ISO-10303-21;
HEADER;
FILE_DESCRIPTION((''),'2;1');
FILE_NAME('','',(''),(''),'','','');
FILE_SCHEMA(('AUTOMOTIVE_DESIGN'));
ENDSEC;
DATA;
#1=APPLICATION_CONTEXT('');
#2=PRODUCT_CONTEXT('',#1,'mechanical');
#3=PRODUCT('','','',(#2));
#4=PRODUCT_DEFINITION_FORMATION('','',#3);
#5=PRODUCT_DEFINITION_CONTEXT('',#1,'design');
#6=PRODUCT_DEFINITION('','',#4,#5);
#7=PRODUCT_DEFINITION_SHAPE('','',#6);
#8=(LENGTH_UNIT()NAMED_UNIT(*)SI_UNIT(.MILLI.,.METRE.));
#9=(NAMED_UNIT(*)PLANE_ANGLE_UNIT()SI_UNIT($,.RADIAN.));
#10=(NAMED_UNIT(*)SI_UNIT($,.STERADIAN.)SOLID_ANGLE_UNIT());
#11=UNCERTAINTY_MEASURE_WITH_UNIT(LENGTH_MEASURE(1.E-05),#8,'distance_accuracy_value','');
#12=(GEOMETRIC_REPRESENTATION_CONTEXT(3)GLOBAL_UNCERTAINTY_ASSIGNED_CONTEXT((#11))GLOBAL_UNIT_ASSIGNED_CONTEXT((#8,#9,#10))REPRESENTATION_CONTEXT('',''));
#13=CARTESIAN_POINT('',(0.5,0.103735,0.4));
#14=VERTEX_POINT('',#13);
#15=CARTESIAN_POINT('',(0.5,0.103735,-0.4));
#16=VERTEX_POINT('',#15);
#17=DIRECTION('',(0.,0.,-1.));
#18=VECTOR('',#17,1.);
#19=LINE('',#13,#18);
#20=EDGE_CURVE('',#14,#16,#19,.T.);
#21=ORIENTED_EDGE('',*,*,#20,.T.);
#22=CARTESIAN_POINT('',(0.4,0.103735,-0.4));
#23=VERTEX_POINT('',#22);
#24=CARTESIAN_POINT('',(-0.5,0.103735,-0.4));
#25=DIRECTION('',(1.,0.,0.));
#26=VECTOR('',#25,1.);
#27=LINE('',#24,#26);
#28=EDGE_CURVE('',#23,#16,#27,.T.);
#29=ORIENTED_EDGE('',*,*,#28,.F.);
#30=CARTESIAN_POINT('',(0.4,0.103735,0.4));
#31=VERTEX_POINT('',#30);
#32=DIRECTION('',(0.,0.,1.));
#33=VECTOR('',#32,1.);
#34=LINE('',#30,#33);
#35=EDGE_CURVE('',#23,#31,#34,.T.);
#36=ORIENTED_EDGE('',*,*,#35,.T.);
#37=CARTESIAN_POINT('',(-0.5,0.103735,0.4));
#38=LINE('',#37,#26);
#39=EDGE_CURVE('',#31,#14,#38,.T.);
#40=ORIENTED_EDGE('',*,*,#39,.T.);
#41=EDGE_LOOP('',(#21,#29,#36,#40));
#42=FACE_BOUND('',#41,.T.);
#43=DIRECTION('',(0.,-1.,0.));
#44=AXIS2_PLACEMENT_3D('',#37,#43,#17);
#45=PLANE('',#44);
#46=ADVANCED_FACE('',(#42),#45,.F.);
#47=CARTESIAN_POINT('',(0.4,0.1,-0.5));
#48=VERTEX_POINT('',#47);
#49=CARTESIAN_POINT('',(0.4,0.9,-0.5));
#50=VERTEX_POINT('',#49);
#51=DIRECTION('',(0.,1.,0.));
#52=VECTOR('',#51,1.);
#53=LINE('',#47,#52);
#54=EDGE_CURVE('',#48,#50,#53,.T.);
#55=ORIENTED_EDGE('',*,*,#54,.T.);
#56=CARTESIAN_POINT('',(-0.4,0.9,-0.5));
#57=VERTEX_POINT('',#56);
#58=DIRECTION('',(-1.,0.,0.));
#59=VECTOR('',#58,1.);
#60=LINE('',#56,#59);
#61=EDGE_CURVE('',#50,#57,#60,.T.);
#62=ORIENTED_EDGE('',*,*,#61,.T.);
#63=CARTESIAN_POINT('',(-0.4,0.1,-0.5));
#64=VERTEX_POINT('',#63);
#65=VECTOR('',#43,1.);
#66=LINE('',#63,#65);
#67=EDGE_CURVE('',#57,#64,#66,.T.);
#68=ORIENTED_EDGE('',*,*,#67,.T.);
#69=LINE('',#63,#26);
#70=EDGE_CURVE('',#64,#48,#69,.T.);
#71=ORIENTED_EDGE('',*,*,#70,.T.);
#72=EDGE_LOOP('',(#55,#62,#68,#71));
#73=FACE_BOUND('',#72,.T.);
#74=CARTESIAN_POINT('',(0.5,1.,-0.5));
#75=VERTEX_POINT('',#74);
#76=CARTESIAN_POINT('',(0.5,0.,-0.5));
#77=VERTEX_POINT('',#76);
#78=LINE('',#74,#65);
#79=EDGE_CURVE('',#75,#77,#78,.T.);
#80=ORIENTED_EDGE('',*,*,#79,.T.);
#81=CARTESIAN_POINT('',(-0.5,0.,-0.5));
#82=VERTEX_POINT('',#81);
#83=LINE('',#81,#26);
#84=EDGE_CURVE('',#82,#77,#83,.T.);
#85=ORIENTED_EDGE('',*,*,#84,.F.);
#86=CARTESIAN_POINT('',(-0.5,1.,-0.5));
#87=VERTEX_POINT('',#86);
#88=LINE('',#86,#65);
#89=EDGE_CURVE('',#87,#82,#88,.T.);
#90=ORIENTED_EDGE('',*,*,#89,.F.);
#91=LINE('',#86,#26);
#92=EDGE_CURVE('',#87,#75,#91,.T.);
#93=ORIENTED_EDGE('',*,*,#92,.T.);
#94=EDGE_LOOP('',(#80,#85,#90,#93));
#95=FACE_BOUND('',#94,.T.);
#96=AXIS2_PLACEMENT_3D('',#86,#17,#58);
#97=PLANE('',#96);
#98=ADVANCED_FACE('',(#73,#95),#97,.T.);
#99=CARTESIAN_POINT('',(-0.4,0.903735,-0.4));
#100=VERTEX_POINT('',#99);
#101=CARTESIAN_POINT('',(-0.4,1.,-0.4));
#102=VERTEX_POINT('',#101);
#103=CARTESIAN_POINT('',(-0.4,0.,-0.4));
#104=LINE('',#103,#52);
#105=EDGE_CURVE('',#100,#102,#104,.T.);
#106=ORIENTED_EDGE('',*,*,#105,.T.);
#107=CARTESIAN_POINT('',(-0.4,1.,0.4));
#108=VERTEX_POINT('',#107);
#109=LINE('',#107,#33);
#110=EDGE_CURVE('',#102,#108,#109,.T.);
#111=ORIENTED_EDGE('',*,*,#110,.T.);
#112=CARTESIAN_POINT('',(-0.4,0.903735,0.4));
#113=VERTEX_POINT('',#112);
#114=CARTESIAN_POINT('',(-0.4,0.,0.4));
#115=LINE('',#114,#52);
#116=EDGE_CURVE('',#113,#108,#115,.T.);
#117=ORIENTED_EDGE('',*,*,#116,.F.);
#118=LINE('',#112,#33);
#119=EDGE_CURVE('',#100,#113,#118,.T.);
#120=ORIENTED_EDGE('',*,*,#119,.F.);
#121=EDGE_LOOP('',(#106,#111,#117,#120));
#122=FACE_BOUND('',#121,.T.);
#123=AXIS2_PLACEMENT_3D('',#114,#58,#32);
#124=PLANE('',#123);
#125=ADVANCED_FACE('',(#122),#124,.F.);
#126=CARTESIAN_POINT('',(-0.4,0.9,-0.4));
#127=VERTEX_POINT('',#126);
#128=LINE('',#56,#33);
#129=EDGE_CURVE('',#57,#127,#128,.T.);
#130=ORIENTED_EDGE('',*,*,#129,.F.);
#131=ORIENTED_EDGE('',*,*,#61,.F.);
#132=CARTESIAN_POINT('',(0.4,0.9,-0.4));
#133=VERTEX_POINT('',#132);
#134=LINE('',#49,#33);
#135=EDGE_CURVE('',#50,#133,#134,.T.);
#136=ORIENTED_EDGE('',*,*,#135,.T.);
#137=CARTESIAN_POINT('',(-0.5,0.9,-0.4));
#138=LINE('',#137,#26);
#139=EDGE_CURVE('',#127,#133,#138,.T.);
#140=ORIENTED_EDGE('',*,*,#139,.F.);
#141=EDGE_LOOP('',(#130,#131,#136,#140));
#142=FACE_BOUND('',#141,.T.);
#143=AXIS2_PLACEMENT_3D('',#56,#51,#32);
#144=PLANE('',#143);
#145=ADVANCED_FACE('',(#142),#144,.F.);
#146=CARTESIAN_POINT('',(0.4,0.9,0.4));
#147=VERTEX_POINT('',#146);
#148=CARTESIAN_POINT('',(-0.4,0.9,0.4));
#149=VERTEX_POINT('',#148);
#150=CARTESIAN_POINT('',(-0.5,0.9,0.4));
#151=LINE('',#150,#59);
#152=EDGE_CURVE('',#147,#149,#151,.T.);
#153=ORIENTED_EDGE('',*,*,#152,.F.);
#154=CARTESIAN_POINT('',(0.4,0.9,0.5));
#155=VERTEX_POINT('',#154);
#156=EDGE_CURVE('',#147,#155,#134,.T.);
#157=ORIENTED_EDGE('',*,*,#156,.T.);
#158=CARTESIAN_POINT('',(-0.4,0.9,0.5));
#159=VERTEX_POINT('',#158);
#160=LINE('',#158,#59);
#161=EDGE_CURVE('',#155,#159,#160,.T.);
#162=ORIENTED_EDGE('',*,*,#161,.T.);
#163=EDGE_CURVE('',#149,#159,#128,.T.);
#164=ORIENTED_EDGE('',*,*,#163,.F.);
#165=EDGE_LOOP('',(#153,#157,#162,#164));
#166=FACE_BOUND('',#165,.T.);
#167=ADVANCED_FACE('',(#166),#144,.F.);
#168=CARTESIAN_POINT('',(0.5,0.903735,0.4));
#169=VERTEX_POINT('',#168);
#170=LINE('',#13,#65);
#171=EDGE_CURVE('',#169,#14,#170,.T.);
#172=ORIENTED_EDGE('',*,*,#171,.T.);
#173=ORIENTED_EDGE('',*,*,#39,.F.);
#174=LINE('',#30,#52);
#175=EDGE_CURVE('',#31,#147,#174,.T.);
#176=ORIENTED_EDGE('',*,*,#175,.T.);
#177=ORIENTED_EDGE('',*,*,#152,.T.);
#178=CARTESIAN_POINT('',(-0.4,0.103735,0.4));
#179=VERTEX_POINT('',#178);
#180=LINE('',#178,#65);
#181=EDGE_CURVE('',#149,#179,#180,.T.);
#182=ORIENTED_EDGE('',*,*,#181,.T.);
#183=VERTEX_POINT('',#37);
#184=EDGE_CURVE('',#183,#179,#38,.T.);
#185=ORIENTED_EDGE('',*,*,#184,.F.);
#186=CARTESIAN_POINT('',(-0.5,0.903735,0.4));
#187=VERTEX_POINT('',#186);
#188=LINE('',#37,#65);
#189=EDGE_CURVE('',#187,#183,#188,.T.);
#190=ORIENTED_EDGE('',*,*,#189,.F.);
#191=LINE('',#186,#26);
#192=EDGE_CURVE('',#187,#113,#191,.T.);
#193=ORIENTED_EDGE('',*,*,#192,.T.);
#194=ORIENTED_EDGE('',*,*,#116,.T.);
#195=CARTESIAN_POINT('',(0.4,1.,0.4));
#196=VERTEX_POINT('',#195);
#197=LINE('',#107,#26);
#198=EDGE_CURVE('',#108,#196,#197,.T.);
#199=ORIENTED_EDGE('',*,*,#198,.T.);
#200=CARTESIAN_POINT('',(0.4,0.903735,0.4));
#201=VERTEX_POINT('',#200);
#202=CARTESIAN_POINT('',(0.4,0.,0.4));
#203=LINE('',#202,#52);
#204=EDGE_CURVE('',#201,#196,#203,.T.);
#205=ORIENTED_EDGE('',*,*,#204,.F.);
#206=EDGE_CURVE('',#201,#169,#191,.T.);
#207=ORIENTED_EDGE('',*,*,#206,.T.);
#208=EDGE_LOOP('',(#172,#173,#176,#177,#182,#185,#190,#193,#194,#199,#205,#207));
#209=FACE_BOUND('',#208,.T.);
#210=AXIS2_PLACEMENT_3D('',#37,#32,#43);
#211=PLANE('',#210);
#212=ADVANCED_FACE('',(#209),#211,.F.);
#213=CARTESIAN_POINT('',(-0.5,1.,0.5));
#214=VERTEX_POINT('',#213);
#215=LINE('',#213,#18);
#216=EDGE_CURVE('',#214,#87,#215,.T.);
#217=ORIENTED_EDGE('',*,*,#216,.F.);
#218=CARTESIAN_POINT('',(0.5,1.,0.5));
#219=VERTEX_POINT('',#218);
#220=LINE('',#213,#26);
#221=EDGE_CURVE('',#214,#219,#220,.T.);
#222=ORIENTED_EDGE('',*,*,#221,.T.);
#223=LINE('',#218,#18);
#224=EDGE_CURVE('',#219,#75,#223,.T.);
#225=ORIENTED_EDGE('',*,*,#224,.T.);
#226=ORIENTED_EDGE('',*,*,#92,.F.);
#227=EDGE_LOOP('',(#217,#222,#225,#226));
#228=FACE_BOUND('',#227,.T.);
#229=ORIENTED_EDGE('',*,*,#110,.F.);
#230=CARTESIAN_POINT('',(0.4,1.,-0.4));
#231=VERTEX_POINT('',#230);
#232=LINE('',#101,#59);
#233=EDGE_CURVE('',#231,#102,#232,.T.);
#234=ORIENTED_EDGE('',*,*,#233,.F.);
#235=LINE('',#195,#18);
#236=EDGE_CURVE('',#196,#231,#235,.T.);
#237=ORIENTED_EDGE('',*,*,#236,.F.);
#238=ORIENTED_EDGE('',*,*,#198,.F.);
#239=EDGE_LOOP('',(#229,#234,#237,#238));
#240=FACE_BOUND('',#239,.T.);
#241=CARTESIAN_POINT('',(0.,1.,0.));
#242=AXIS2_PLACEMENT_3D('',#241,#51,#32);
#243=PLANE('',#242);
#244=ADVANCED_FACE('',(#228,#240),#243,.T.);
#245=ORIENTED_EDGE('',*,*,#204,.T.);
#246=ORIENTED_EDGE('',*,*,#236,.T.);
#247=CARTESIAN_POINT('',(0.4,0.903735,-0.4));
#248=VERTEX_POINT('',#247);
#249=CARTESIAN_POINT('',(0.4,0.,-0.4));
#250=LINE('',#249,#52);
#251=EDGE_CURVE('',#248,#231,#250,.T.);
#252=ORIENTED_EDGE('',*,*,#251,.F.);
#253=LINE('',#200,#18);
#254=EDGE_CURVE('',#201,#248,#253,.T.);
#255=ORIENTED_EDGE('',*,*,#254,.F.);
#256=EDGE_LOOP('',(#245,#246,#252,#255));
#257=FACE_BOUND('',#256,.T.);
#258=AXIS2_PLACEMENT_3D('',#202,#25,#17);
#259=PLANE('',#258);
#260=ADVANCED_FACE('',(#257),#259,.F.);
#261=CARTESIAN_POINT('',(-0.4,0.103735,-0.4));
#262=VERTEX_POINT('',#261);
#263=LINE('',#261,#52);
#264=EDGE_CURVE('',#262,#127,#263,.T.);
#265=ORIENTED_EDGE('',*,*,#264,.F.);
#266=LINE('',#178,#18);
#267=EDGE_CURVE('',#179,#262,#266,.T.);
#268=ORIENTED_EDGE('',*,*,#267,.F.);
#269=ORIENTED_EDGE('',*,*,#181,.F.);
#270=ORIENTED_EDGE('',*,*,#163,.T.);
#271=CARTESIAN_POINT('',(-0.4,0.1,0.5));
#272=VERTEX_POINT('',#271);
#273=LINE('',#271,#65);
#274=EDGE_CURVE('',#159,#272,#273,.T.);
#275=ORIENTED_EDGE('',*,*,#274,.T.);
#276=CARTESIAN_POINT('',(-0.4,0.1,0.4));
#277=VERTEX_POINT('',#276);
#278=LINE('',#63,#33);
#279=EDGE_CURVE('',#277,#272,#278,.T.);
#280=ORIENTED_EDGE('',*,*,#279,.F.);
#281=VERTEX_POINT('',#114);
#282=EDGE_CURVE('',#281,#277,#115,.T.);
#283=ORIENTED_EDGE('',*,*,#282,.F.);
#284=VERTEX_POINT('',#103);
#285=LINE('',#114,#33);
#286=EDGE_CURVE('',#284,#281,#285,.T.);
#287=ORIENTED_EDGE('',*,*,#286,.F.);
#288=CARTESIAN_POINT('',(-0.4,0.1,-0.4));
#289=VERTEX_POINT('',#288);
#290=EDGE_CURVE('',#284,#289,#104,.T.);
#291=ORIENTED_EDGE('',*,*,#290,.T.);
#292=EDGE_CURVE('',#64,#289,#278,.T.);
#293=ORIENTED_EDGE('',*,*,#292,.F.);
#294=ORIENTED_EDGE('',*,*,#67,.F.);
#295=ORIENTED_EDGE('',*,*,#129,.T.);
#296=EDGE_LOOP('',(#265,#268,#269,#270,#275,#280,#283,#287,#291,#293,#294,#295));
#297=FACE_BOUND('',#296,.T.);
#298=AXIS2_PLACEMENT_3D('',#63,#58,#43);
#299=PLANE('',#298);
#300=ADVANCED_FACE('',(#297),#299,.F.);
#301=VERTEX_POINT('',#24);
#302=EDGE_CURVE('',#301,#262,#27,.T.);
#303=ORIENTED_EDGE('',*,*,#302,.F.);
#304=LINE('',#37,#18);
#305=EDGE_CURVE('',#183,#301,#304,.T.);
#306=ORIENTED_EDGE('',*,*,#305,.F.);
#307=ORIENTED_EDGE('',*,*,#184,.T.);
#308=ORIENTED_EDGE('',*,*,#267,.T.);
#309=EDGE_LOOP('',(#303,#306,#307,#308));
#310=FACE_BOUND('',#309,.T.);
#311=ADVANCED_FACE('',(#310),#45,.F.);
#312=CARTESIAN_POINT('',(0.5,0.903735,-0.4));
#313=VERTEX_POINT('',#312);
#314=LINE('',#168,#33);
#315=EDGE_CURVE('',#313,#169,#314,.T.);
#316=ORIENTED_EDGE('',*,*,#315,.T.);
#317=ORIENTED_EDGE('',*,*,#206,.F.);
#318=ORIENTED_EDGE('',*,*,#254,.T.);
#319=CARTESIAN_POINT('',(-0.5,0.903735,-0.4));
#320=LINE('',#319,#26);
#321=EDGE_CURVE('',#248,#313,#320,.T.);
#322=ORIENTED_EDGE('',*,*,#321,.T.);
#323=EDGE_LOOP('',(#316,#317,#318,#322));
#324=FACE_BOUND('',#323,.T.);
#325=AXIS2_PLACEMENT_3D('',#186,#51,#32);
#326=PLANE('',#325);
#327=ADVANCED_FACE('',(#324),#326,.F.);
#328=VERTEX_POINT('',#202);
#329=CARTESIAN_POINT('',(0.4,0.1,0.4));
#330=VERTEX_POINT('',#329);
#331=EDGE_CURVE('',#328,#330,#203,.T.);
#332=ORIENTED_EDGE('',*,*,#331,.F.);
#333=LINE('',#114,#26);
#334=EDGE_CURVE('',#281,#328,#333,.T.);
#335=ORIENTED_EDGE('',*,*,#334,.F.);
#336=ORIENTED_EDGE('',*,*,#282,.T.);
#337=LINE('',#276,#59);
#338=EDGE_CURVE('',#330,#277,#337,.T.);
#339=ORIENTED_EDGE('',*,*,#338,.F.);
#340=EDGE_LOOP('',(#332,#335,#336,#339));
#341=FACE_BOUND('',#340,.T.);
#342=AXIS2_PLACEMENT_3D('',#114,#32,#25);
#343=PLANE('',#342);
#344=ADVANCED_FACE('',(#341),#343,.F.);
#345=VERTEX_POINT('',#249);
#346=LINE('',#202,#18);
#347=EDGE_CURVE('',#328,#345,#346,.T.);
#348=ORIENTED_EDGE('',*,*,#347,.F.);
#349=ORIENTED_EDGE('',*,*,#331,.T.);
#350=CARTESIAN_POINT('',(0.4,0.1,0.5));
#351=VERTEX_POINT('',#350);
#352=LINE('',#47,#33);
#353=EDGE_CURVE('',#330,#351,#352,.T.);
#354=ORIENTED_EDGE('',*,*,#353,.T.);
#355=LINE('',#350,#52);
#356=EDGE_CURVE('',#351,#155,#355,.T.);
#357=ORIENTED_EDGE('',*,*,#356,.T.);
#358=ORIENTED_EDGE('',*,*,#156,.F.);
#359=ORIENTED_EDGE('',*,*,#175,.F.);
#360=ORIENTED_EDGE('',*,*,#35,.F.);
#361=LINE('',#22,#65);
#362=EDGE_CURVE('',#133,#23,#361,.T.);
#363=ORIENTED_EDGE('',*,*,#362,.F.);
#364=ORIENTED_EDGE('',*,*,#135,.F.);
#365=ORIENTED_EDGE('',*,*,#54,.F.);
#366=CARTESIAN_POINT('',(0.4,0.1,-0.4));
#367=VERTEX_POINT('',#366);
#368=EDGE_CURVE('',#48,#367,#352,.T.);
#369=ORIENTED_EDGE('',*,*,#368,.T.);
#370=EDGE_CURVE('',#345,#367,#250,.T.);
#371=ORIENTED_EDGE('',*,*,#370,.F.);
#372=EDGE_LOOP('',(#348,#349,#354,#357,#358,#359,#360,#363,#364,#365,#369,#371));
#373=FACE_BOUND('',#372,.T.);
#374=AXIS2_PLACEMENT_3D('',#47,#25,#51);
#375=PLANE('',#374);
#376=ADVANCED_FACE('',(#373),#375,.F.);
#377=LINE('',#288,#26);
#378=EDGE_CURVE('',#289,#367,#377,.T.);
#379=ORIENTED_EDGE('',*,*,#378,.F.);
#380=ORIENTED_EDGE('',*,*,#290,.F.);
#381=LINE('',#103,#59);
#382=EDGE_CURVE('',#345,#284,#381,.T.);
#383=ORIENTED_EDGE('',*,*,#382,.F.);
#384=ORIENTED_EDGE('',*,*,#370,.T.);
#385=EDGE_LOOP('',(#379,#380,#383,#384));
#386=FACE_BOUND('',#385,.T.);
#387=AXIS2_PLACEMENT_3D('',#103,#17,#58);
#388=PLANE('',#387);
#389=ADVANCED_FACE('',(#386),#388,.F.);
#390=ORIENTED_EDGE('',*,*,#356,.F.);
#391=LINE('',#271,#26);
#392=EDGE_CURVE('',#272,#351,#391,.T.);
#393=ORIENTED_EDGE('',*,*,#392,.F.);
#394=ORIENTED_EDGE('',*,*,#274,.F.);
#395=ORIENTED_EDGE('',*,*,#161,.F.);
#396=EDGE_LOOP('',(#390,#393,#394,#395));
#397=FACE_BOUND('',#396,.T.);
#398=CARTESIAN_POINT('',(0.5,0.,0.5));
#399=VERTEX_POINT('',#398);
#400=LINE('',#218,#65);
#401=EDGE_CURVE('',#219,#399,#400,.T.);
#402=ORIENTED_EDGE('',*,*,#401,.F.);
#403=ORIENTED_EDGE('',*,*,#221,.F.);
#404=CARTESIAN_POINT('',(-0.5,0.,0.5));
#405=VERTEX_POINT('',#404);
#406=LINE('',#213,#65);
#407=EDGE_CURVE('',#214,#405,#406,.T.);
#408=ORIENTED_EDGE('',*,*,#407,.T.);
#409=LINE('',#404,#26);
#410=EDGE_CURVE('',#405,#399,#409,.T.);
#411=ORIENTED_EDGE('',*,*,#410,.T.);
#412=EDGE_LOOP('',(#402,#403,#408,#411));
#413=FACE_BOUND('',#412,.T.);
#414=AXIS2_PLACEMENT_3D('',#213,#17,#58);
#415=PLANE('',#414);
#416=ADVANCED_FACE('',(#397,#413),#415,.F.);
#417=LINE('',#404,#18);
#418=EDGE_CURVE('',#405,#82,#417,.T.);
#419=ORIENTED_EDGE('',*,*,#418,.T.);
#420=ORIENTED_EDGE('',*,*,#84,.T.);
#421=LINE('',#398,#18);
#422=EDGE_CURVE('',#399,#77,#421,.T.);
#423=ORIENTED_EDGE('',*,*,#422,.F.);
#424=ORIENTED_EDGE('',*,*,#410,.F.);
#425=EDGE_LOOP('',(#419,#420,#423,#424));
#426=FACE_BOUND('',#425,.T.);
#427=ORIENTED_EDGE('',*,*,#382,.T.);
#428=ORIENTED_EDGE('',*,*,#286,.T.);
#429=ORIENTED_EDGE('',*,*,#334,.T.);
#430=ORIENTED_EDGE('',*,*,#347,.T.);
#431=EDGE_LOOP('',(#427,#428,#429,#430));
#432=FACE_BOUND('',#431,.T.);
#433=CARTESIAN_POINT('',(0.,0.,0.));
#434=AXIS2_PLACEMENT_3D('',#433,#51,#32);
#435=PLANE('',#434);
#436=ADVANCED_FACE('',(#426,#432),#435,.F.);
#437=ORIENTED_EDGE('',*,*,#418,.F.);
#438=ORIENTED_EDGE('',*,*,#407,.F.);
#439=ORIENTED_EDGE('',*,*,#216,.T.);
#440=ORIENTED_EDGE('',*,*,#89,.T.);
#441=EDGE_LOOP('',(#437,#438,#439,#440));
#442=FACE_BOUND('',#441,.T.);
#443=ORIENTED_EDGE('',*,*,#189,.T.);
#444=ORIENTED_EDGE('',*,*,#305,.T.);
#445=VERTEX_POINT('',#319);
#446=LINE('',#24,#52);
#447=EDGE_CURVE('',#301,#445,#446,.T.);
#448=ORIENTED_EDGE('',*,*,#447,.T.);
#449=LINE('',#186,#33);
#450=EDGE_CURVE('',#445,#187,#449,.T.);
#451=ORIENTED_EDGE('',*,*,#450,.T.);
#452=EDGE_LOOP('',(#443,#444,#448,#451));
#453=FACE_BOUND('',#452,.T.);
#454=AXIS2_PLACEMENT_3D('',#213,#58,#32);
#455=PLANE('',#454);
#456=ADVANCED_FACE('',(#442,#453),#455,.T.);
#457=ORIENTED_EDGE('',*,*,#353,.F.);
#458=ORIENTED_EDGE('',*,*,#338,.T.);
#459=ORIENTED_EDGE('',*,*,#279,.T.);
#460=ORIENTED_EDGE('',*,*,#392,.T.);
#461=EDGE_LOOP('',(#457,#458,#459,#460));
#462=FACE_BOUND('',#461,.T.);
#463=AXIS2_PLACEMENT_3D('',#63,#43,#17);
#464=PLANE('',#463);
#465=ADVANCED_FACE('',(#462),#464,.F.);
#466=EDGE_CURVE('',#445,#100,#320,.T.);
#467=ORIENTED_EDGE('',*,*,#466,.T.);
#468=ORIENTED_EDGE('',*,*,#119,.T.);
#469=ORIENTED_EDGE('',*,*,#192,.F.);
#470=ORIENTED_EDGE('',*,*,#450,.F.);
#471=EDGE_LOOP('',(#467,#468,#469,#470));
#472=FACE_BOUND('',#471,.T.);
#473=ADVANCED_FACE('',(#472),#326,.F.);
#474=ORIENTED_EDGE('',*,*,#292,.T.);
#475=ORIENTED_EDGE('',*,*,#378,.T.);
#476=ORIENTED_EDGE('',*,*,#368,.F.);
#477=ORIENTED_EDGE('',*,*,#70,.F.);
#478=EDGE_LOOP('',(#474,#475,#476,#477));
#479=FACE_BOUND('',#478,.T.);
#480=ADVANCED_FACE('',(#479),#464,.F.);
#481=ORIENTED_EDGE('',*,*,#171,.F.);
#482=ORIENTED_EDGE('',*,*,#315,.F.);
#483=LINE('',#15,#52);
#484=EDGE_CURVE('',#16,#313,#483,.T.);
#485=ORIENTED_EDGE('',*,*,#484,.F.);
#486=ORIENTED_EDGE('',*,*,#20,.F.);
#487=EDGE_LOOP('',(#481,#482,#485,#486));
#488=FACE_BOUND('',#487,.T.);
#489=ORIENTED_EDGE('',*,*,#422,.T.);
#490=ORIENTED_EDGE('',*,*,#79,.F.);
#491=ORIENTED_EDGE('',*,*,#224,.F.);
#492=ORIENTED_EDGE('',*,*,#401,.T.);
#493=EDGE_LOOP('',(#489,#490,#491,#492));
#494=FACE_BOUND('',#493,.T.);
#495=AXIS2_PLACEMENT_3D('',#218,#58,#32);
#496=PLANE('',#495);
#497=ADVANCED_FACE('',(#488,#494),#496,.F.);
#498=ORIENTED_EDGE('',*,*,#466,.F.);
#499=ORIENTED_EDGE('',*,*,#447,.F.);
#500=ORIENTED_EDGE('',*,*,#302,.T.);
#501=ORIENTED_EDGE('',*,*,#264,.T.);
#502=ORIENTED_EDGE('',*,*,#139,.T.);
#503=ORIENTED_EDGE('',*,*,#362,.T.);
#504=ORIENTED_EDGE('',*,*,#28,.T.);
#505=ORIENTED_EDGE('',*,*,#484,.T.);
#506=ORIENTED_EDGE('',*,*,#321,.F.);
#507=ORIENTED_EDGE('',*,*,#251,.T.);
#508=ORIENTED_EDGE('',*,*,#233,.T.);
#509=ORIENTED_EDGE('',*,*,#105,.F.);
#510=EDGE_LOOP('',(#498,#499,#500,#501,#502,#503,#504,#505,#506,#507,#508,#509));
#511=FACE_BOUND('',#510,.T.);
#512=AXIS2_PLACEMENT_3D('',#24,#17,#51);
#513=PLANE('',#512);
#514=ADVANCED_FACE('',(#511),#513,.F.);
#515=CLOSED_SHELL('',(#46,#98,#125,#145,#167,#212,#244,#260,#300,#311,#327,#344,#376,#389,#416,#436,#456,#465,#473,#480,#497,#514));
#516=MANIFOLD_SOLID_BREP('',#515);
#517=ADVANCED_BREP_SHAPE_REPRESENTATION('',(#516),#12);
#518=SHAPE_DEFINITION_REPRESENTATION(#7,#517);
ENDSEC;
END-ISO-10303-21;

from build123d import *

# Parameters (mm, degrees)
SKETCH1_W           = 1
SKETCH1_H           = 1
BOSS_EXTRUDE1_DEPTH = 1
SKETCH2_W           = 0.8
SKETCH2_H           = 0.8
CUT_EXTRUDE2_DEPTH  = 2.5
SKETCH3_W           = 0.8
SKETCH3_H           = 0.8
CUT_EXTRUDE3_DEPTH  = 2.5
SKETCH4_W           = 0.8
SKETCH4_H           = 0.8
CUT_EXTRUDE4_DEPTH  = 2.224744871


with BuildPart() as part:
    # Sketch1 → Boss-Extrude1 (new body)
    with BuildSketch(Plane(origin=(0, 0, 0), x_dir=(1, 0, 0), z_dir=(0, 1, 0))):
        Rectangle(SKETCH1_W, SKETCH1_H)
    extrude(amount=BOSS_EXTRUDE1_DEPTH)

    # Sketch2 → Cut-Extrude2 (cut, through all)
    with BuildSketch(Plane(origin=(0.5, 0, 0), x_dir=(0, 0, -1), z_dir=(1, 0, 0))):
        with Locations((0, 0.503735105)):
            Rectangle(SKETCH2_W, SKETCH2_H)
    extrude(amount=-CUT_EXTRUDE2_DEPTH, mode=Mode.SUBTRACT)

    # Sketch3 → Cut-Extrude3 (cut, through all)
    with BuildSketch(Plane.XY.offset(0.5)):
        with Locations((0, 0.5)):
            Rectangle(SKETCH3_W, SKETCH3_H)
    extrude(amount=-CUT_EXTRUDE3_DEPTH, mode=Mode.SUBTRACT)

    # Sketch4 → Cut-Extrude4 (cut, through all)
    with BuildSketch(Plane(origin=(0, 1, 0), x_dir=(1, 0, 0), z_dir=(0, 1, 0))):
        Rectangle(SKETCH4_W, SKETCH4_H)
    extrude(amount=-CUT_EXTRUDE4_DEPTH, mode=Mode.SUBTRACT)


solid = part.part
